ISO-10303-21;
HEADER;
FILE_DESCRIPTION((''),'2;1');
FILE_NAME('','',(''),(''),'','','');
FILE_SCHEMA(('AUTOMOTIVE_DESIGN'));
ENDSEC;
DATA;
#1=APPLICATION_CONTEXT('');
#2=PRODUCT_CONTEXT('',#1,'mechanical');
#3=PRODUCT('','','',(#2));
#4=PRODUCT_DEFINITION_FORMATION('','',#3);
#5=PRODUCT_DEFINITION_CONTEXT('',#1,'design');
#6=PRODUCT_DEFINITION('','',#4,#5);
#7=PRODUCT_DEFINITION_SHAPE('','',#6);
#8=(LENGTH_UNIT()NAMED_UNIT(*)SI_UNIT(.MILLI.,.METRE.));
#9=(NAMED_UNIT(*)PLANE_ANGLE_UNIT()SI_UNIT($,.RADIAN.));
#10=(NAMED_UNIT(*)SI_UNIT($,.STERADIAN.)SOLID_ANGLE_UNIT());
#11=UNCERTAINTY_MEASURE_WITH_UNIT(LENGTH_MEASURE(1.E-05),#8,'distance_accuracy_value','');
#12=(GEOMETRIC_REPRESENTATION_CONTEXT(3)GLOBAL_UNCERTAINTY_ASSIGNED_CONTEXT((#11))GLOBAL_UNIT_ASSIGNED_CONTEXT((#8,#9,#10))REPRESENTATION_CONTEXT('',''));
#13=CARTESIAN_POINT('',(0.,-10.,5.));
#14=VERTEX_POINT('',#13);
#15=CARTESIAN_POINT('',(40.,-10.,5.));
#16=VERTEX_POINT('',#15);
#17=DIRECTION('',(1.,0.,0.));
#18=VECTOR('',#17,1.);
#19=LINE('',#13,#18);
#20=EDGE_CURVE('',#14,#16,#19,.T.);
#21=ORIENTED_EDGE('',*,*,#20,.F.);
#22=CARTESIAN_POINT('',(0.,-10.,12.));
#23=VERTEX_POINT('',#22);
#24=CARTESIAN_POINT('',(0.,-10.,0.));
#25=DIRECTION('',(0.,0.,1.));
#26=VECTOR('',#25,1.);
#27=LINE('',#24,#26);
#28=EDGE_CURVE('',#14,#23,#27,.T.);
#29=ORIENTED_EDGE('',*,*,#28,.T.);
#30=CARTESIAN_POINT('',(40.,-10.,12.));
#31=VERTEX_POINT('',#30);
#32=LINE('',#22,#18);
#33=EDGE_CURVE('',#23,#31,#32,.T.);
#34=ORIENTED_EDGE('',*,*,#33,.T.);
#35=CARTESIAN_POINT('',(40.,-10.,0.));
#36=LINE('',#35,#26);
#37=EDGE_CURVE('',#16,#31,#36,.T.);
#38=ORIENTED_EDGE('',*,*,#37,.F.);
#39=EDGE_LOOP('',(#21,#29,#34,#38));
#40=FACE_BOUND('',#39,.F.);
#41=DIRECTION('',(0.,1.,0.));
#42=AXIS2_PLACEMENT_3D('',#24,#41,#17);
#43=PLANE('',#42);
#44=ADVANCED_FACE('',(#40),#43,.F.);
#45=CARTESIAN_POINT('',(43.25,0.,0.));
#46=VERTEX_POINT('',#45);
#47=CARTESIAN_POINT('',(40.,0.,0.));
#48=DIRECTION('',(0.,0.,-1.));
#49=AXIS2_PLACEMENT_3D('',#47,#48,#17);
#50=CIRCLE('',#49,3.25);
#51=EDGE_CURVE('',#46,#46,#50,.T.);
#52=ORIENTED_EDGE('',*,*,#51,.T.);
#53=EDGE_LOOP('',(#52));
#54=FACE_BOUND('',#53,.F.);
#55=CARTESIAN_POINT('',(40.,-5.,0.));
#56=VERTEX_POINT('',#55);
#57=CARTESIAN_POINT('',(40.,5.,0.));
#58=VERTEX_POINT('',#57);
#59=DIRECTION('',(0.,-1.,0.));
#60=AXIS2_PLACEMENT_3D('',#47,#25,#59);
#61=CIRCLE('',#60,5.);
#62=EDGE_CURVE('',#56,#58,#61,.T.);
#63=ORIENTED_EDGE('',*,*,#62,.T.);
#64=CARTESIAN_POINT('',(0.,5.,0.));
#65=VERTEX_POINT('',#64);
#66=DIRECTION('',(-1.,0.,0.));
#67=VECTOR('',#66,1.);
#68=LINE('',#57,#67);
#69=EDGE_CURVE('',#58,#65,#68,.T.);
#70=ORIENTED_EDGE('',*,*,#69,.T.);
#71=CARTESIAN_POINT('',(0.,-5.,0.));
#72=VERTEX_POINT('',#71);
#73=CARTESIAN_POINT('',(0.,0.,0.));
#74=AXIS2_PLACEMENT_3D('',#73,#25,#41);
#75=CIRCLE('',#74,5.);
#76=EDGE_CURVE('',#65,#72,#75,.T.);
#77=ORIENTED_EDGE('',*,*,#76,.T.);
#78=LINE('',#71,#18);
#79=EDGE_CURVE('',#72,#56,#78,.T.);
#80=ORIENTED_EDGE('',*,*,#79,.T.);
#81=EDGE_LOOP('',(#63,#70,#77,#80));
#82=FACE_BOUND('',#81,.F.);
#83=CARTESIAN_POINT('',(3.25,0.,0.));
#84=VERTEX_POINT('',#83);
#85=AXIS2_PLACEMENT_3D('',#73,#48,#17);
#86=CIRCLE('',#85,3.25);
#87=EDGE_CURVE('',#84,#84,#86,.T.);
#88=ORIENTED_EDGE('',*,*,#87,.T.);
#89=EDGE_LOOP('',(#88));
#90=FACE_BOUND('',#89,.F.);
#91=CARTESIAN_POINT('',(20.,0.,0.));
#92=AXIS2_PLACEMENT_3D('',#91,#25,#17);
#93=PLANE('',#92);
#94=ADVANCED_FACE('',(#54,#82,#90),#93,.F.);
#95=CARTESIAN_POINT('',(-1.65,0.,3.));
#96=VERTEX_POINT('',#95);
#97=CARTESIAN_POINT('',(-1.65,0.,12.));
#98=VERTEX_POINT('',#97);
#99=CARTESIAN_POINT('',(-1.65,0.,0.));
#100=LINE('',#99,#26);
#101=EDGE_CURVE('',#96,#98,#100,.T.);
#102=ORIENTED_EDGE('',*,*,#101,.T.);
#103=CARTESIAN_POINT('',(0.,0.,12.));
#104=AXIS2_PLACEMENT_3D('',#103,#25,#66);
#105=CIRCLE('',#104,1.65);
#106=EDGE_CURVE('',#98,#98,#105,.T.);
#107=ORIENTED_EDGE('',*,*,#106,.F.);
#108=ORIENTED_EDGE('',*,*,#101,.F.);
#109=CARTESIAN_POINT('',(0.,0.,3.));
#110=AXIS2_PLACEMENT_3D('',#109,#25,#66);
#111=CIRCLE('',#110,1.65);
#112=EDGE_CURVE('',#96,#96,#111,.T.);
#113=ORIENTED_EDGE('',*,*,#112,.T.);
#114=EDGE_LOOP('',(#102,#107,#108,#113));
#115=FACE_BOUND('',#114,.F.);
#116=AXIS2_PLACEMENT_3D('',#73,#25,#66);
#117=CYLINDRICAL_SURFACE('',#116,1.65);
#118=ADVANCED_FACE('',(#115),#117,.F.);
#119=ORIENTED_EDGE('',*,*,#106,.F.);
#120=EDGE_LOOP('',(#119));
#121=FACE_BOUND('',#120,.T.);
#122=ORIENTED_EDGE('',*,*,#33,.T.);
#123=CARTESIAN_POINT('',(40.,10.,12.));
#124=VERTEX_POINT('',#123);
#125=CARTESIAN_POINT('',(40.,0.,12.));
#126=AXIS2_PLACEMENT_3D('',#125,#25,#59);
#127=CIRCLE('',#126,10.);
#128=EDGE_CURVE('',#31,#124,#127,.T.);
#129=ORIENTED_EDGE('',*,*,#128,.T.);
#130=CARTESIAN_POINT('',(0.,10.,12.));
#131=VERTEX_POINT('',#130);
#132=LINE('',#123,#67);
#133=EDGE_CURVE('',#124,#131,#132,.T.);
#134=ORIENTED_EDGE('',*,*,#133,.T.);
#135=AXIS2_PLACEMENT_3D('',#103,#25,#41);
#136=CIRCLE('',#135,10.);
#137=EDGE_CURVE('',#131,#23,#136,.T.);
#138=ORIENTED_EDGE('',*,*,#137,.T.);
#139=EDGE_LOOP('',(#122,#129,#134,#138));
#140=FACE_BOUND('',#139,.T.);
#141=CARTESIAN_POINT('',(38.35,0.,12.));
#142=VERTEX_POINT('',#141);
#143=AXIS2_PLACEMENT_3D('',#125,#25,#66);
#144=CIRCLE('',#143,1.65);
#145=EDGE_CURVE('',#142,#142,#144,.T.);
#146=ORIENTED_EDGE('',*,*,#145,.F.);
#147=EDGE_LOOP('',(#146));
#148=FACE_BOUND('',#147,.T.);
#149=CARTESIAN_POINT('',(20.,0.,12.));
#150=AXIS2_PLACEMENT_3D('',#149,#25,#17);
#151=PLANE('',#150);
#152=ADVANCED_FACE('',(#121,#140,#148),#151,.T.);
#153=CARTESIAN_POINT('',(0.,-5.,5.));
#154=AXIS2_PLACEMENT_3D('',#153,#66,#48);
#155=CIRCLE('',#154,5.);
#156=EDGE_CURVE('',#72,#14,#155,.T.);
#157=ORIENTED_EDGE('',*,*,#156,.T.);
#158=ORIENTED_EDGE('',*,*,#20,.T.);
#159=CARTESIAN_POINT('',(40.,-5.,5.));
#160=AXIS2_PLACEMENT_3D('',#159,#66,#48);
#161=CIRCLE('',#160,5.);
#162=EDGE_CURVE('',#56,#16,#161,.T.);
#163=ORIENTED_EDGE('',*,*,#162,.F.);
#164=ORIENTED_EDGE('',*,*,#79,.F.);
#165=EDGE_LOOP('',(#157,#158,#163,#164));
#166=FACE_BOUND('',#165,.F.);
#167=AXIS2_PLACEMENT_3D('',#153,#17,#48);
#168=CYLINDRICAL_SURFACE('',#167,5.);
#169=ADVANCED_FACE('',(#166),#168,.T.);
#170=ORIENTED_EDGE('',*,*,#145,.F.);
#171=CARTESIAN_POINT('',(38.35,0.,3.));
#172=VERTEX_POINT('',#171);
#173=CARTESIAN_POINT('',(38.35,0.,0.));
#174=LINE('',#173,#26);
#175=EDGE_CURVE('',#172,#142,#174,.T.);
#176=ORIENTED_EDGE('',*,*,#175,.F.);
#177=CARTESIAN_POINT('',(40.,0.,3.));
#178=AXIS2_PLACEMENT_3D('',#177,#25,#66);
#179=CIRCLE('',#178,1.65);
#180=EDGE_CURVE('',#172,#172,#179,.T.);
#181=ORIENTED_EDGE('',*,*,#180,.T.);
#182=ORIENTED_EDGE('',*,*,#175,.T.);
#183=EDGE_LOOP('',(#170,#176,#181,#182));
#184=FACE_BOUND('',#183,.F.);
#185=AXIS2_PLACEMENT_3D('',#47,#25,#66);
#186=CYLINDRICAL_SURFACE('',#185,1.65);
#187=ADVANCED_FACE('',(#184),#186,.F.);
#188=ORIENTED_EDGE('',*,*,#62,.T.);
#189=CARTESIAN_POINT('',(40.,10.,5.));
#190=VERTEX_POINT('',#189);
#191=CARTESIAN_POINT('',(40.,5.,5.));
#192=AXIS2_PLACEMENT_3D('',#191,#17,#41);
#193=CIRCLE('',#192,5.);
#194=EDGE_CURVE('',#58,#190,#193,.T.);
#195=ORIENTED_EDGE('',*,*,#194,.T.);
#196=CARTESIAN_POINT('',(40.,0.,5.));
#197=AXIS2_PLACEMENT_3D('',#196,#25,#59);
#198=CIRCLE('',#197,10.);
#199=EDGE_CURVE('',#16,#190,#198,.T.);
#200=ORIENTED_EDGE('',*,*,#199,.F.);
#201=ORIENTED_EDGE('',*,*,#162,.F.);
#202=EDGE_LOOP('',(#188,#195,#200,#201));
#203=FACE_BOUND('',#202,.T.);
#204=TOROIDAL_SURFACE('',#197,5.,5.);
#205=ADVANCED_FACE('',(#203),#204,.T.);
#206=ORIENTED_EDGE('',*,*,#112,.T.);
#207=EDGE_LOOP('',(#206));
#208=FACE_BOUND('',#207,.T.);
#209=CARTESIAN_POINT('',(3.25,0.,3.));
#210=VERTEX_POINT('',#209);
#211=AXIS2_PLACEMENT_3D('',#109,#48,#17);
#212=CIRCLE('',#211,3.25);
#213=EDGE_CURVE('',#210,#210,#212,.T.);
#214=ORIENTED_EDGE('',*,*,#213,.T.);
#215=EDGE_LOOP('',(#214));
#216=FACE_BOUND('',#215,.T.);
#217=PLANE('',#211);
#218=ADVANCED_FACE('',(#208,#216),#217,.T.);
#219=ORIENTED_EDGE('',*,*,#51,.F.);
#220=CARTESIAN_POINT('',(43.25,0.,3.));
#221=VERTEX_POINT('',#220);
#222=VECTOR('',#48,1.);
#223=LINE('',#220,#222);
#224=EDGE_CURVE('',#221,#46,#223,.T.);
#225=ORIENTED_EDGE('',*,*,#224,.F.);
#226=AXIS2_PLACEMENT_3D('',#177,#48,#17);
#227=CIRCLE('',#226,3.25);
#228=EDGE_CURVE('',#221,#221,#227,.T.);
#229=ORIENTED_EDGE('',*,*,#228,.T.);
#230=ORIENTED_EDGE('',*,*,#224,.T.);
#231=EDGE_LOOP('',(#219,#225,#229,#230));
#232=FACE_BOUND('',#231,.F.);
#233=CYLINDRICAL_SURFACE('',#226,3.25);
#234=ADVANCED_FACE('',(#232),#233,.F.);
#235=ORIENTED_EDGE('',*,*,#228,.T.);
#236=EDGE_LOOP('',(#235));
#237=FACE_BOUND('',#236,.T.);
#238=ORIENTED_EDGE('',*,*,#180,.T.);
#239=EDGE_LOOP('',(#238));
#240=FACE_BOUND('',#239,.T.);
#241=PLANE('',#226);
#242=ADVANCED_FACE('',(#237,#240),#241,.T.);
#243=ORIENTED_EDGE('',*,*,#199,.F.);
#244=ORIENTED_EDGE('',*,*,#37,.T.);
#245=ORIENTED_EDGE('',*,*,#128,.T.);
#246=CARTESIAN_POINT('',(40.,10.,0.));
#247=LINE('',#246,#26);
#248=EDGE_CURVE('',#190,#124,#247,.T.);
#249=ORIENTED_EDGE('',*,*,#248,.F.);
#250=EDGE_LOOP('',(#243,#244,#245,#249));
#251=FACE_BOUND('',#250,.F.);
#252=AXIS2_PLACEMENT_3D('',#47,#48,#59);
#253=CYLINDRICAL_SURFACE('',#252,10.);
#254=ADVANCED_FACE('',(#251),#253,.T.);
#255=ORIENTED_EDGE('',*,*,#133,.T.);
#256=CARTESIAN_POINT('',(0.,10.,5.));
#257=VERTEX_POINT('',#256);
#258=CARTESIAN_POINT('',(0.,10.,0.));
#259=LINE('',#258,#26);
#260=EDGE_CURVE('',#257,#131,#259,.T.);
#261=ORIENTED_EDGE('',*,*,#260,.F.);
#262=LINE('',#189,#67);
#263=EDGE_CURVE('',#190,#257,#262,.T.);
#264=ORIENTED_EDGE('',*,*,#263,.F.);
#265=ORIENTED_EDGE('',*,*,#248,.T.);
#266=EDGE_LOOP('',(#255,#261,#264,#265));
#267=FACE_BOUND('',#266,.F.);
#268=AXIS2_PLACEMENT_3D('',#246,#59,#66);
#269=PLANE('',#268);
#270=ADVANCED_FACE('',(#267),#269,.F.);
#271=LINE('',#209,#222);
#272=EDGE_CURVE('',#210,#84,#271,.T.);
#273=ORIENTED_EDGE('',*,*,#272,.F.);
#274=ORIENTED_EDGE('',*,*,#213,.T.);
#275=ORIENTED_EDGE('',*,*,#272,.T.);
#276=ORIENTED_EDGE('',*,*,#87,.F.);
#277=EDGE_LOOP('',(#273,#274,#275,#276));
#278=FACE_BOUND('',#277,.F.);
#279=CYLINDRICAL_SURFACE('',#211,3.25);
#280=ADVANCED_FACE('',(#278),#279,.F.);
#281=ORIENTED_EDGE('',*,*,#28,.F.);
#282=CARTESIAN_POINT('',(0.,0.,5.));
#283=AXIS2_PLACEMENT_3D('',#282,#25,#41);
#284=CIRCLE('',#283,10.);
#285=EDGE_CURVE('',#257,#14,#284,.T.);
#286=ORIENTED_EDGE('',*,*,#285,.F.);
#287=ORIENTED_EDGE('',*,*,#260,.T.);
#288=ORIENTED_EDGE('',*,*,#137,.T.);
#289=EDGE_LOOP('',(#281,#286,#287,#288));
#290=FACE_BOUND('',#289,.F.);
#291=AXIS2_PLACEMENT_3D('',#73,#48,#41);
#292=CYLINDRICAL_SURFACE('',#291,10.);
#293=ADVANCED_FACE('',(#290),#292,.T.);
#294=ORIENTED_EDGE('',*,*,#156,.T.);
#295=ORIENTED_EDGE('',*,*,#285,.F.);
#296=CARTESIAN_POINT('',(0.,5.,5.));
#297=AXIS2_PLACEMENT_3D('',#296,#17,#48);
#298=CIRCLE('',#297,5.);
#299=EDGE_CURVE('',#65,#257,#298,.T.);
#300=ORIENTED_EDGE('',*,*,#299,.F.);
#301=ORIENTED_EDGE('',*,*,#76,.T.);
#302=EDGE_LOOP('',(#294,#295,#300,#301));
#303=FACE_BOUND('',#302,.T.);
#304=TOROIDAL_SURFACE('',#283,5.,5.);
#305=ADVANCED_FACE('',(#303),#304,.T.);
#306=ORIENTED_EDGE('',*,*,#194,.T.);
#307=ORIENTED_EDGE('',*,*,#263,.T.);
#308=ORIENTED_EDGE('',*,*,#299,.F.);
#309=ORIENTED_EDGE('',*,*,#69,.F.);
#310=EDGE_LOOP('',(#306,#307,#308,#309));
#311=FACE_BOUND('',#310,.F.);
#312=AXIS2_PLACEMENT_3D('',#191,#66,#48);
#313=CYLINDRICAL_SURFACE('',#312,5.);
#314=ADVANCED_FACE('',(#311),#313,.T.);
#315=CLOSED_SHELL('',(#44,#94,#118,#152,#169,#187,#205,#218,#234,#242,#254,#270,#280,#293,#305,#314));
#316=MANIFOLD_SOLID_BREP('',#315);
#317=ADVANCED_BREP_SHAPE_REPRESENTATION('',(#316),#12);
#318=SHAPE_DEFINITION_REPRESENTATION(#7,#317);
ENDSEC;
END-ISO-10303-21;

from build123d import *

# Parameters (mm, degrees)
F1_DEPTH       = 12
F2_D           = 3.3
F2_CBORE_D     = 6.5
F2_CBORE_DEPTH = 3
F3_R           = 5


with BuildPart() as f1:
    # F0 (on Top) → F1 (new body)
    with BuildSketch(Plane.XY):
        with BuildLine():
            Line((40, 10), (0, 10))
            ThreePointArc((0, 10), (-10, 0), (0, -10))
            Line((0, -10), (40, -10))
            ThreePointArc((40, -10), (50, 0), (40, 10))
        make_face()
    extrude(amount=F1_DEPTH)

    # F2 (through all)
    with Locations(Plane(origin=(0, 0, 0), x_dir=(1, 0, 0), z_dir=(0, 0, -1))):
        with Locations((40, 0), (0, 0)):
            CounterBoreHole(F2_D / 2, F2_CBORE_D / 2, F2_CBORE_DEPTH)

    # F3
    f3_edges = [f1.edges().sort_by_distance(p)[0] for p in [
        (20, -10, 0),
    ]]
    fillet(f3_edges, radius=F3_R)


solid = f1.part
